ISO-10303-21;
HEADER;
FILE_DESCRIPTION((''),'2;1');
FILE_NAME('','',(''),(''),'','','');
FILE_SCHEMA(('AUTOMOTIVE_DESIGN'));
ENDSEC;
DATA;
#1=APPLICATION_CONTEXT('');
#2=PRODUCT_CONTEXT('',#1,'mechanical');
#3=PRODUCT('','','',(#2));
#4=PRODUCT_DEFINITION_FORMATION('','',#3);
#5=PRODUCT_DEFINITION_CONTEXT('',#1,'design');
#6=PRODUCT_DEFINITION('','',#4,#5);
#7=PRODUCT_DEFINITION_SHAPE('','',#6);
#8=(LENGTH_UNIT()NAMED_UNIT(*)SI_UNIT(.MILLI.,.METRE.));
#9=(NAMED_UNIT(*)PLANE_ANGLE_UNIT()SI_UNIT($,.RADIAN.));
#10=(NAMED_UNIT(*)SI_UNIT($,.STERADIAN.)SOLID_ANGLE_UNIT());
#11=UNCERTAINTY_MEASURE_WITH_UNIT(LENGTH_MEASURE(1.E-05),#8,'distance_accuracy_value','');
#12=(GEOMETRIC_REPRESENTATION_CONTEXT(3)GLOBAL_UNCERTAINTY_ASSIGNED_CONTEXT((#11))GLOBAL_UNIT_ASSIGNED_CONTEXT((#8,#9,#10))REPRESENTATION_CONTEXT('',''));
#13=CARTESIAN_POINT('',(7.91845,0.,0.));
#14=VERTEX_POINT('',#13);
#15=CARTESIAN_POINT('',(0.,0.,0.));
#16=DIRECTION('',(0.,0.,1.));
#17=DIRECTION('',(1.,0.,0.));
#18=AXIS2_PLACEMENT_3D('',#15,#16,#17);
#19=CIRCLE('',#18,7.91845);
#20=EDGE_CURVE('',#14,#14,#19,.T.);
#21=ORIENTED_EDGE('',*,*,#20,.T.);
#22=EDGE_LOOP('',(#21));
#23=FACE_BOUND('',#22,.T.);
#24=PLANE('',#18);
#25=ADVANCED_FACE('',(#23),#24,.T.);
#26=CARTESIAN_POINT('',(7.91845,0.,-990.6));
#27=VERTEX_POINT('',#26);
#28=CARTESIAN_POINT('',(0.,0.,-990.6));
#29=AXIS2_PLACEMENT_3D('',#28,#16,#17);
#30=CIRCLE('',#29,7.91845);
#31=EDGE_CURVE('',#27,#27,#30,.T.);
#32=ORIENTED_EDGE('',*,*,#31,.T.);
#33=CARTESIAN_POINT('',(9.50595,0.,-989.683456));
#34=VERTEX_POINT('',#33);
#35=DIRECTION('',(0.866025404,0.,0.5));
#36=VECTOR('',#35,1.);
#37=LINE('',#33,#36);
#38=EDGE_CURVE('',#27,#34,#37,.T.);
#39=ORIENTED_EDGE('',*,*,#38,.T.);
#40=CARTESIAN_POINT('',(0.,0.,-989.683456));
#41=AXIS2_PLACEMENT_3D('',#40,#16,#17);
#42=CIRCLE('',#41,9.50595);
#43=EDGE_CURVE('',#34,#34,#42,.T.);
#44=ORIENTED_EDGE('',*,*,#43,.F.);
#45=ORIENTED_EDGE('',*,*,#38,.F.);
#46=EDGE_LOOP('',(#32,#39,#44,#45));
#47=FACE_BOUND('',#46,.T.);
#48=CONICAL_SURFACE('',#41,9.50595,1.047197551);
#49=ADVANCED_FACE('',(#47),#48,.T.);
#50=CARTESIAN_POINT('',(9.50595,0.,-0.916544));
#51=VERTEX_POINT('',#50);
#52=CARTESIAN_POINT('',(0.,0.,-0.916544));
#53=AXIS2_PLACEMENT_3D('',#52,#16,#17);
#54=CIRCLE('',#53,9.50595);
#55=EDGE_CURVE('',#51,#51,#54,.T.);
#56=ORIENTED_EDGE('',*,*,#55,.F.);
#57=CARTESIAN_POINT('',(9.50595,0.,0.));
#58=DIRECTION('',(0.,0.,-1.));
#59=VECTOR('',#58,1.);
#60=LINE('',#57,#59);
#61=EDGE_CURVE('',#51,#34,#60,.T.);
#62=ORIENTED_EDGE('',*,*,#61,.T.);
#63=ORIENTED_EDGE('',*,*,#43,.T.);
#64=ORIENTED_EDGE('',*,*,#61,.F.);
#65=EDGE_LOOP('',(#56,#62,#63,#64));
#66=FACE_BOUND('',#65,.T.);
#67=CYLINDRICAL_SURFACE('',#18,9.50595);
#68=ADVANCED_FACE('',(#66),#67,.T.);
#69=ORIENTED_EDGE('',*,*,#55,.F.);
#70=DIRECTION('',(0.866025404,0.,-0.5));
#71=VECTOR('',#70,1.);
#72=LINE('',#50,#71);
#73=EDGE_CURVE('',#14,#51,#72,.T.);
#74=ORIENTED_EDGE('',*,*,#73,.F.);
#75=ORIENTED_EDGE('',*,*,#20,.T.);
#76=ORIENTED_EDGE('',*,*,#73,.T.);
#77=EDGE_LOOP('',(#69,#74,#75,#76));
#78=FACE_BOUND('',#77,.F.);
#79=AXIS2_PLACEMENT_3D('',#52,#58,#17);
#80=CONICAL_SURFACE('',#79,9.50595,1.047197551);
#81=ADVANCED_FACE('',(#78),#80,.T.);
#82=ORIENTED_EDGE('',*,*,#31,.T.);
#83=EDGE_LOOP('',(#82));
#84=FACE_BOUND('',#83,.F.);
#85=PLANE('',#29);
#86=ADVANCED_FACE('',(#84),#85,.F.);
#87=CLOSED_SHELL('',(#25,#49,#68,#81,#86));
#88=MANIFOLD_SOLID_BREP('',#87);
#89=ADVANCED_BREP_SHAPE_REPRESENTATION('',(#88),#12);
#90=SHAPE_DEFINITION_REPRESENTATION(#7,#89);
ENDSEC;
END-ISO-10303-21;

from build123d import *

# Parameters (mm, degrees)
F0_R       = 9.50595
F1_DEPTH   = 990.6
F2_SIZE2   = 0.9165435523
F2_SIZE    = 1.5875
F2_2_SIZE2 = 0.9165435523
F2_2_SIZE  = 1.5875


with BuildPart() as f1:
    # F0 (on Top) → F1 (new body)
    with BuildSketch(Plane.XY):
        Circle(F0_R)
    extrude(amount=-F1_DEPTH)

    # F2
    f2_edges = [f1.edges().sort_by_distance(p)[0] for p in [
        (-9.50595, 0, 0),
    ]]
    f2_side = f1.faces().sort_by_distance((0, 0, 0))[0]
    chamfer(f2_edges, length=F2_SIZE, length2=F2_SIZE2, reference=f2_side)

    # F2#2
    f2_2_edges = [f1.edges().sort_by_distance(p)[0] for p in [
        (-9.50595, 0, -990.6),
    ]]
    f2_2_side = f1.faces().sort_by_distance((0, 0, -990.6))[0]
    chamfer(f2_2_edges, length=F2_2_SIZE, length2=F2_2_SIZE2, reference=f2_2_side)


solid = f1.part
